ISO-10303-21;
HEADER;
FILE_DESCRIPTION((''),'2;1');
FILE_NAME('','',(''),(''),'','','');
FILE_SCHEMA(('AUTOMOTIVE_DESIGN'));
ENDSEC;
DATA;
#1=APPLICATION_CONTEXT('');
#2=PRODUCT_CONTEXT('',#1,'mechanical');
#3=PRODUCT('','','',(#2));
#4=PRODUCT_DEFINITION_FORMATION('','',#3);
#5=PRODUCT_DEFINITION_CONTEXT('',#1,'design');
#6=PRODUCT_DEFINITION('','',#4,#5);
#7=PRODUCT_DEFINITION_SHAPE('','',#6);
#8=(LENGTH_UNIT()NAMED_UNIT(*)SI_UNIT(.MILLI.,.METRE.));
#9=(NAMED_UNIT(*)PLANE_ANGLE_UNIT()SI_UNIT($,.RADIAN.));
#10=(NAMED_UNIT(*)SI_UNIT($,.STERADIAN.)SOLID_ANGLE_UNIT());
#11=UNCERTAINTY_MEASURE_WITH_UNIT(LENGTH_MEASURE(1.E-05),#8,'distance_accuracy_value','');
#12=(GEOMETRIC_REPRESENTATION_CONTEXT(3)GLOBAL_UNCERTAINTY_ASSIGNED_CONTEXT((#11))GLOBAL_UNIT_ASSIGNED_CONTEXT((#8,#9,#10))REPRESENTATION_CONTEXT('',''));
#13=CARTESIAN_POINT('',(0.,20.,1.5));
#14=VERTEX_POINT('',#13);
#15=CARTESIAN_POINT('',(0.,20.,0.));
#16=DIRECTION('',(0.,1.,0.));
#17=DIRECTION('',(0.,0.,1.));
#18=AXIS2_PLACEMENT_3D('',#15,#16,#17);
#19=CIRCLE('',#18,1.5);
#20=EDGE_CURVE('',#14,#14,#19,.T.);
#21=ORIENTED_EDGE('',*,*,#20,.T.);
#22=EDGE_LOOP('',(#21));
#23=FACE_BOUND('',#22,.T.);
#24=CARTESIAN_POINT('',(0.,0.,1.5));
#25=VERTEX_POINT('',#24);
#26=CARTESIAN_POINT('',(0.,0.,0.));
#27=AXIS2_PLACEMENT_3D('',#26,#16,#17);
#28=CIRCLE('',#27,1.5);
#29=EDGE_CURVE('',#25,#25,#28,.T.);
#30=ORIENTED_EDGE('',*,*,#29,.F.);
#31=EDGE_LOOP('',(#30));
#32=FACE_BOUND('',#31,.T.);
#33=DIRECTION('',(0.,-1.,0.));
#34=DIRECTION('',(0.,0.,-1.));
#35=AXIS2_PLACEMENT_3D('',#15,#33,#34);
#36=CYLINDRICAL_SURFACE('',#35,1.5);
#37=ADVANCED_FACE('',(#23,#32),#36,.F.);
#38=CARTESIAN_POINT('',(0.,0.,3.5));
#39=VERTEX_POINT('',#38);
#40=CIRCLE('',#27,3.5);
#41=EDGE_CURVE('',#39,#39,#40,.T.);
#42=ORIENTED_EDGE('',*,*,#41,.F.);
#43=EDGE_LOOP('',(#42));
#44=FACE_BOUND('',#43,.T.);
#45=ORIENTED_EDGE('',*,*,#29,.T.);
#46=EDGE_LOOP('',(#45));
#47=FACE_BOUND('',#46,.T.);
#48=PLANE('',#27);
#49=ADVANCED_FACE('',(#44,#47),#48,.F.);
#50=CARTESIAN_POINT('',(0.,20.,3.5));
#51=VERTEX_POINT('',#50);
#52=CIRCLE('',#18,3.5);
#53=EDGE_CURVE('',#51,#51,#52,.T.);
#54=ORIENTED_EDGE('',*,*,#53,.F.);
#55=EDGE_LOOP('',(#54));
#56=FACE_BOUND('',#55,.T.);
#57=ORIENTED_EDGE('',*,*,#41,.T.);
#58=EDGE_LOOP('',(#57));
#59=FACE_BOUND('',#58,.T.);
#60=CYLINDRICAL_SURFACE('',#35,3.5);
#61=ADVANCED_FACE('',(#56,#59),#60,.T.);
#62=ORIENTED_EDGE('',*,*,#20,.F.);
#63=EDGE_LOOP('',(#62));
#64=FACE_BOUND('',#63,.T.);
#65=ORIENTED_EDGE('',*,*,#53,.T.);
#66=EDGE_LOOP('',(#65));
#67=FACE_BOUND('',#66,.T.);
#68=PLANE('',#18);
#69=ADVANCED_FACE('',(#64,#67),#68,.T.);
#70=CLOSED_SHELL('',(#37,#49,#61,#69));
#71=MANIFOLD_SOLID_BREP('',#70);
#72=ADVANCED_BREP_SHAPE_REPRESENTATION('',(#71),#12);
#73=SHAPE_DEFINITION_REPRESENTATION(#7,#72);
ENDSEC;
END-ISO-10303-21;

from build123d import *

# Parameters (mm, degrees)
SKETCH_1_R      = 3.5
SKETCH_1_R_2    = 1.5
EXTRUDE_2_DEPTH = 20


with BuildPart() as part:
    # 草图1 → 凸台-拉伸2 (new body)
    with BuildSketch(Plane(origin=(0, 0, 0), x_dir=(1, 0, 0), z_dir=(0, 1, 0))):
        with Locations(Location((0, 0, 0), (0, 0, 270))):
            Circle(SKETCH_1_R)
        with Locations(Location((0, 0, 0), (0, 0, 270))):
            Circle(SKETCH_1_R_2, mode=Mode.SUBTRACT)
    extrude(amount=EXTRUDE_2_DEPTH)


solid = part.part
